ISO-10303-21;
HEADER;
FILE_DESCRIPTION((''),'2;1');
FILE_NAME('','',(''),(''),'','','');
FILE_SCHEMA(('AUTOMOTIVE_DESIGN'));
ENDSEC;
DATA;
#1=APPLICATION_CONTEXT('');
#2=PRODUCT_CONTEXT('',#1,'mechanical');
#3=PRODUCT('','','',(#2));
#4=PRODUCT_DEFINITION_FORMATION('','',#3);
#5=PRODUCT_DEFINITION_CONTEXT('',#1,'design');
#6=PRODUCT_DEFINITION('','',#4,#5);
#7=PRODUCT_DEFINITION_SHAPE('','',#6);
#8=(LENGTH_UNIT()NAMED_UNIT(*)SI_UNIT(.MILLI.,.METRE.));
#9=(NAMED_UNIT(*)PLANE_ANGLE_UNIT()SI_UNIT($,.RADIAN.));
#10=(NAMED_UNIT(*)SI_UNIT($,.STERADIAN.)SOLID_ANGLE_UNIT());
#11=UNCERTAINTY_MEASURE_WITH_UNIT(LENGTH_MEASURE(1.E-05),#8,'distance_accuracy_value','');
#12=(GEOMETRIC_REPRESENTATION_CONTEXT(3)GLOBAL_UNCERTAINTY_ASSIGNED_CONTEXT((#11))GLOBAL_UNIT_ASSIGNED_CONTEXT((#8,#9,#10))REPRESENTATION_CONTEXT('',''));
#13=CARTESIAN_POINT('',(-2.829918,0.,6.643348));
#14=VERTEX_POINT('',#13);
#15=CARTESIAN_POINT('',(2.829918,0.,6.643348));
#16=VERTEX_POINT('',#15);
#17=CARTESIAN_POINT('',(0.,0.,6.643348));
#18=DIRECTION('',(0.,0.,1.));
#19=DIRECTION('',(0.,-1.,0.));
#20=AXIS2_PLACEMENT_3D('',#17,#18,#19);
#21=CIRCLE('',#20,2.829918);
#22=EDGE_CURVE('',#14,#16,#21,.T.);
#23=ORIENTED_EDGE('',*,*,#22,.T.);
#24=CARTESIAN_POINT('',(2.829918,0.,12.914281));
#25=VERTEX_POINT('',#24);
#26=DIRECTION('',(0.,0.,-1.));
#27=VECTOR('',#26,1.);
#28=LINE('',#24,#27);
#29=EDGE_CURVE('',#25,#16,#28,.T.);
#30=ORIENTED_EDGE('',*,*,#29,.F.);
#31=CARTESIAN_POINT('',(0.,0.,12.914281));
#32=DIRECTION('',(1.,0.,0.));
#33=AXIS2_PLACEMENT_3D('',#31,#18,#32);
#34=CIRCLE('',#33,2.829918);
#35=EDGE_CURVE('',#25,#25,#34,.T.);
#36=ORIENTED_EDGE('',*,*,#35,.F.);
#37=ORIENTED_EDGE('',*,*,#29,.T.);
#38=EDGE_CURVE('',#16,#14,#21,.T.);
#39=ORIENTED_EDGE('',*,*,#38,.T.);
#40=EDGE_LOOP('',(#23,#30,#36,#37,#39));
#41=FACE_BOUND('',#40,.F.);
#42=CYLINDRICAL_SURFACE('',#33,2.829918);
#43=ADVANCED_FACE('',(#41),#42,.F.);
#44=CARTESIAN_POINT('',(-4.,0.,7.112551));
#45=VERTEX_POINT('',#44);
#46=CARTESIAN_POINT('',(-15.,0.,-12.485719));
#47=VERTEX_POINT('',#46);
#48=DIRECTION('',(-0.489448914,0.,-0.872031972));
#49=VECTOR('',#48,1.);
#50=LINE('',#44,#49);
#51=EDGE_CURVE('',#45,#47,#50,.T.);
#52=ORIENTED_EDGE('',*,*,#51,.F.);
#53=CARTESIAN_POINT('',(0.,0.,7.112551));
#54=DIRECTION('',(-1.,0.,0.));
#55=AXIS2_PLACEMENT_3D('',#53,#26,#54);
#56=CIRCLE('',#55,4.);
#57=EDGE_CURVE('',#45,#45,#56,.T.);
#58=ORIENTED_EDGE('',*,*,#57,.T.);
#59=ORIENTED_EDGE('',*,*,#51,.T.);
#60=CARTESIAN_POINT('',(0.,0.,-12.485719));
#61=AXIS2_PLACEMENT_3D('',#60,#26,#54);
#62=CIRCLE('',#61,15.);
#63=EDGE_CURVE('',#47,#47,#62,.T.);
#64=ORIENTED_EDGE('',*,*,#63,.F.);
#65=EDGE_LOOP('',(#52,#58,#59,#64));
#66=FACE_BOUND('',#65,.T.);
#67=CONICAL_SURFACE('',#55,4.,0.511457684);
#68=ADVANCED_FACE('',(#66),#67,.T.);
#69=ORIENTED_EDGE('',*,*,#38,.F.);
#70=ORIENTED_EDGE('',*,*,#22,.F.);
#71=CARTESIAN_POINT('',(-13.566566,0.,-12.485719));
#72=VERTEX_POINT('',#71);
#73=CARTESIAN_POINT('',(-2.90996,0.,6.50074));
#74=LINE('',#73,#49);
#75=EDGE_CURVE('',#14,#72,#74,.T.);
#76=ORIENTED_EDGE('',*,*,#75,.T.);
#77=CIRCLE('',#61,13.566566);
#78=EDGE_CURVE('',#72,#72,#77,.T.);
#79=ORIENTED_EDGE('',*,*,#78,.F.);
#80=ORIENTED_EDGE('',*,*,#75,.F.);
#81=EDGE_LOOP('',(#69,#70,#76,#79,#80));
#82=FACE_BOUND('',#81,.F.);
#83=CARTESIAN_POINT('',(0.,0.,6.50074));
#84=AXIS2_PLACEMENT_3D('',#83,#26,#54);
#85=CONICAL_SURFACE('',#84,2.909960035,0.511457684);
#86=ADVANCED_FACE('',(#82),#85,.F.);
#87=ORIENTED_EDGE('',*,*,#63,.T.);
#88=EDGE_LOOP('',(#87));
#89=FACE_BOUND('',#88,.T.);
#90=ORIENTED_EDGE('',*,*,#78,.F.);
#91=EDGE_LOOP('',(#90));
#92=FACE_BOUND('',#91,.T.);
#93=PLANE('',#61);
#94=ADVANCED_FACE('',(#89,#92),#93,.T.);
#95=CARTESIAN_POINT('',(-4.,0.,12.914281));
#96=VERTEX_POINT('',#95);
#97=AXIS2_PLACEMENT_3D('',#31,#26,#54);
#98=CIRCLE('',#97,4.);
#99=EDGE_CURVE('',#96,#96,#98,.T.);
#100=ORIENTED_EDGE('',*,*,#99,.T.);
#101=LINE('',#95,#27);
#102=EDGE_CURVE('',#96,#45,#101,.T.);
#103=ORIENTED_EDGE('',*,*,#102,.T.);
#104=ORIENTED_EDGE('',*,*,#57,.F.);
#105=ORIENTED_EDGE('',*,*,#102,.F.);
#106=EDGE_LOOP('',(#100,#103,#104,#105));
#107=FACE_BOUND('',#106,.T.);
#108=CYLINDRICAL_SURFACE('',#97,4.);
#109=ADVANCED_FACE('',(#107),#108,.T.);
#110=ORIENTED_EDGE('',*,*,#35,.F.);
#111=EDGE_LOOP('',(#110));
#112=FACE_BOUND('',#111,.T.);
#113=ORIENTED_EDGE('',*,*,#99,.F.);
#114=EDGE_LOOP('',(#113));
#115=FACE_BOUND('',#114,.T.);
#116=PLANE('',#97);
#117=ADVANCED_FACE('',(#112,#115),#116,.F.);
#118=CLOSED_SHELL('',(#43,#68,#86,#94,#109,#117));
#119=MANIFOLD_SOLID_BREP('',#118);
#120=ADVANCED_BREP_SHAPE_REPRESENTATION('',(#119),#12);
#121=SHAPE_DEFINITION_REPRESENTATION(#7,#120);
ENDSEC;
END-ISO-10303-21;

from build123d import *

# Parameters (mm, degrees)
F2_T     = -1.25
F3_R     = 2.8299175035
F4_DEPTH = 25


with BuildPart() as f1:
    # F0 (on Front) → F1 (revolve)
    with BuildSketch(Plane.XZ):
        Polygon((0, -12.4857185782), (0, 12.9142814218), (-4, 12.9142814218), (-4, 7.1125508785), (-15, -12.4857185782), align=None)
    revolve(axis=Axis((0, 0, 21.6972688213), (0, 0, -1)))

    # F2
    f2_openings = [f1.faces().sort_by_distance(p)[0] for p in [
        (0, 0, -12.485719),
    ]]
    offset(amount=F2_T, openings=f2_openings, kind=Kind.INTERSECTION)

    # F3 (on face) → F4 (cut)
    with BuildSketch(Plane.XY.offset(12.9142814218)):
        Circle(F3_R)
    extrude(amount=-F4_DEPTH, mode=Mode.SUBTRACT)


solid = f1.part
